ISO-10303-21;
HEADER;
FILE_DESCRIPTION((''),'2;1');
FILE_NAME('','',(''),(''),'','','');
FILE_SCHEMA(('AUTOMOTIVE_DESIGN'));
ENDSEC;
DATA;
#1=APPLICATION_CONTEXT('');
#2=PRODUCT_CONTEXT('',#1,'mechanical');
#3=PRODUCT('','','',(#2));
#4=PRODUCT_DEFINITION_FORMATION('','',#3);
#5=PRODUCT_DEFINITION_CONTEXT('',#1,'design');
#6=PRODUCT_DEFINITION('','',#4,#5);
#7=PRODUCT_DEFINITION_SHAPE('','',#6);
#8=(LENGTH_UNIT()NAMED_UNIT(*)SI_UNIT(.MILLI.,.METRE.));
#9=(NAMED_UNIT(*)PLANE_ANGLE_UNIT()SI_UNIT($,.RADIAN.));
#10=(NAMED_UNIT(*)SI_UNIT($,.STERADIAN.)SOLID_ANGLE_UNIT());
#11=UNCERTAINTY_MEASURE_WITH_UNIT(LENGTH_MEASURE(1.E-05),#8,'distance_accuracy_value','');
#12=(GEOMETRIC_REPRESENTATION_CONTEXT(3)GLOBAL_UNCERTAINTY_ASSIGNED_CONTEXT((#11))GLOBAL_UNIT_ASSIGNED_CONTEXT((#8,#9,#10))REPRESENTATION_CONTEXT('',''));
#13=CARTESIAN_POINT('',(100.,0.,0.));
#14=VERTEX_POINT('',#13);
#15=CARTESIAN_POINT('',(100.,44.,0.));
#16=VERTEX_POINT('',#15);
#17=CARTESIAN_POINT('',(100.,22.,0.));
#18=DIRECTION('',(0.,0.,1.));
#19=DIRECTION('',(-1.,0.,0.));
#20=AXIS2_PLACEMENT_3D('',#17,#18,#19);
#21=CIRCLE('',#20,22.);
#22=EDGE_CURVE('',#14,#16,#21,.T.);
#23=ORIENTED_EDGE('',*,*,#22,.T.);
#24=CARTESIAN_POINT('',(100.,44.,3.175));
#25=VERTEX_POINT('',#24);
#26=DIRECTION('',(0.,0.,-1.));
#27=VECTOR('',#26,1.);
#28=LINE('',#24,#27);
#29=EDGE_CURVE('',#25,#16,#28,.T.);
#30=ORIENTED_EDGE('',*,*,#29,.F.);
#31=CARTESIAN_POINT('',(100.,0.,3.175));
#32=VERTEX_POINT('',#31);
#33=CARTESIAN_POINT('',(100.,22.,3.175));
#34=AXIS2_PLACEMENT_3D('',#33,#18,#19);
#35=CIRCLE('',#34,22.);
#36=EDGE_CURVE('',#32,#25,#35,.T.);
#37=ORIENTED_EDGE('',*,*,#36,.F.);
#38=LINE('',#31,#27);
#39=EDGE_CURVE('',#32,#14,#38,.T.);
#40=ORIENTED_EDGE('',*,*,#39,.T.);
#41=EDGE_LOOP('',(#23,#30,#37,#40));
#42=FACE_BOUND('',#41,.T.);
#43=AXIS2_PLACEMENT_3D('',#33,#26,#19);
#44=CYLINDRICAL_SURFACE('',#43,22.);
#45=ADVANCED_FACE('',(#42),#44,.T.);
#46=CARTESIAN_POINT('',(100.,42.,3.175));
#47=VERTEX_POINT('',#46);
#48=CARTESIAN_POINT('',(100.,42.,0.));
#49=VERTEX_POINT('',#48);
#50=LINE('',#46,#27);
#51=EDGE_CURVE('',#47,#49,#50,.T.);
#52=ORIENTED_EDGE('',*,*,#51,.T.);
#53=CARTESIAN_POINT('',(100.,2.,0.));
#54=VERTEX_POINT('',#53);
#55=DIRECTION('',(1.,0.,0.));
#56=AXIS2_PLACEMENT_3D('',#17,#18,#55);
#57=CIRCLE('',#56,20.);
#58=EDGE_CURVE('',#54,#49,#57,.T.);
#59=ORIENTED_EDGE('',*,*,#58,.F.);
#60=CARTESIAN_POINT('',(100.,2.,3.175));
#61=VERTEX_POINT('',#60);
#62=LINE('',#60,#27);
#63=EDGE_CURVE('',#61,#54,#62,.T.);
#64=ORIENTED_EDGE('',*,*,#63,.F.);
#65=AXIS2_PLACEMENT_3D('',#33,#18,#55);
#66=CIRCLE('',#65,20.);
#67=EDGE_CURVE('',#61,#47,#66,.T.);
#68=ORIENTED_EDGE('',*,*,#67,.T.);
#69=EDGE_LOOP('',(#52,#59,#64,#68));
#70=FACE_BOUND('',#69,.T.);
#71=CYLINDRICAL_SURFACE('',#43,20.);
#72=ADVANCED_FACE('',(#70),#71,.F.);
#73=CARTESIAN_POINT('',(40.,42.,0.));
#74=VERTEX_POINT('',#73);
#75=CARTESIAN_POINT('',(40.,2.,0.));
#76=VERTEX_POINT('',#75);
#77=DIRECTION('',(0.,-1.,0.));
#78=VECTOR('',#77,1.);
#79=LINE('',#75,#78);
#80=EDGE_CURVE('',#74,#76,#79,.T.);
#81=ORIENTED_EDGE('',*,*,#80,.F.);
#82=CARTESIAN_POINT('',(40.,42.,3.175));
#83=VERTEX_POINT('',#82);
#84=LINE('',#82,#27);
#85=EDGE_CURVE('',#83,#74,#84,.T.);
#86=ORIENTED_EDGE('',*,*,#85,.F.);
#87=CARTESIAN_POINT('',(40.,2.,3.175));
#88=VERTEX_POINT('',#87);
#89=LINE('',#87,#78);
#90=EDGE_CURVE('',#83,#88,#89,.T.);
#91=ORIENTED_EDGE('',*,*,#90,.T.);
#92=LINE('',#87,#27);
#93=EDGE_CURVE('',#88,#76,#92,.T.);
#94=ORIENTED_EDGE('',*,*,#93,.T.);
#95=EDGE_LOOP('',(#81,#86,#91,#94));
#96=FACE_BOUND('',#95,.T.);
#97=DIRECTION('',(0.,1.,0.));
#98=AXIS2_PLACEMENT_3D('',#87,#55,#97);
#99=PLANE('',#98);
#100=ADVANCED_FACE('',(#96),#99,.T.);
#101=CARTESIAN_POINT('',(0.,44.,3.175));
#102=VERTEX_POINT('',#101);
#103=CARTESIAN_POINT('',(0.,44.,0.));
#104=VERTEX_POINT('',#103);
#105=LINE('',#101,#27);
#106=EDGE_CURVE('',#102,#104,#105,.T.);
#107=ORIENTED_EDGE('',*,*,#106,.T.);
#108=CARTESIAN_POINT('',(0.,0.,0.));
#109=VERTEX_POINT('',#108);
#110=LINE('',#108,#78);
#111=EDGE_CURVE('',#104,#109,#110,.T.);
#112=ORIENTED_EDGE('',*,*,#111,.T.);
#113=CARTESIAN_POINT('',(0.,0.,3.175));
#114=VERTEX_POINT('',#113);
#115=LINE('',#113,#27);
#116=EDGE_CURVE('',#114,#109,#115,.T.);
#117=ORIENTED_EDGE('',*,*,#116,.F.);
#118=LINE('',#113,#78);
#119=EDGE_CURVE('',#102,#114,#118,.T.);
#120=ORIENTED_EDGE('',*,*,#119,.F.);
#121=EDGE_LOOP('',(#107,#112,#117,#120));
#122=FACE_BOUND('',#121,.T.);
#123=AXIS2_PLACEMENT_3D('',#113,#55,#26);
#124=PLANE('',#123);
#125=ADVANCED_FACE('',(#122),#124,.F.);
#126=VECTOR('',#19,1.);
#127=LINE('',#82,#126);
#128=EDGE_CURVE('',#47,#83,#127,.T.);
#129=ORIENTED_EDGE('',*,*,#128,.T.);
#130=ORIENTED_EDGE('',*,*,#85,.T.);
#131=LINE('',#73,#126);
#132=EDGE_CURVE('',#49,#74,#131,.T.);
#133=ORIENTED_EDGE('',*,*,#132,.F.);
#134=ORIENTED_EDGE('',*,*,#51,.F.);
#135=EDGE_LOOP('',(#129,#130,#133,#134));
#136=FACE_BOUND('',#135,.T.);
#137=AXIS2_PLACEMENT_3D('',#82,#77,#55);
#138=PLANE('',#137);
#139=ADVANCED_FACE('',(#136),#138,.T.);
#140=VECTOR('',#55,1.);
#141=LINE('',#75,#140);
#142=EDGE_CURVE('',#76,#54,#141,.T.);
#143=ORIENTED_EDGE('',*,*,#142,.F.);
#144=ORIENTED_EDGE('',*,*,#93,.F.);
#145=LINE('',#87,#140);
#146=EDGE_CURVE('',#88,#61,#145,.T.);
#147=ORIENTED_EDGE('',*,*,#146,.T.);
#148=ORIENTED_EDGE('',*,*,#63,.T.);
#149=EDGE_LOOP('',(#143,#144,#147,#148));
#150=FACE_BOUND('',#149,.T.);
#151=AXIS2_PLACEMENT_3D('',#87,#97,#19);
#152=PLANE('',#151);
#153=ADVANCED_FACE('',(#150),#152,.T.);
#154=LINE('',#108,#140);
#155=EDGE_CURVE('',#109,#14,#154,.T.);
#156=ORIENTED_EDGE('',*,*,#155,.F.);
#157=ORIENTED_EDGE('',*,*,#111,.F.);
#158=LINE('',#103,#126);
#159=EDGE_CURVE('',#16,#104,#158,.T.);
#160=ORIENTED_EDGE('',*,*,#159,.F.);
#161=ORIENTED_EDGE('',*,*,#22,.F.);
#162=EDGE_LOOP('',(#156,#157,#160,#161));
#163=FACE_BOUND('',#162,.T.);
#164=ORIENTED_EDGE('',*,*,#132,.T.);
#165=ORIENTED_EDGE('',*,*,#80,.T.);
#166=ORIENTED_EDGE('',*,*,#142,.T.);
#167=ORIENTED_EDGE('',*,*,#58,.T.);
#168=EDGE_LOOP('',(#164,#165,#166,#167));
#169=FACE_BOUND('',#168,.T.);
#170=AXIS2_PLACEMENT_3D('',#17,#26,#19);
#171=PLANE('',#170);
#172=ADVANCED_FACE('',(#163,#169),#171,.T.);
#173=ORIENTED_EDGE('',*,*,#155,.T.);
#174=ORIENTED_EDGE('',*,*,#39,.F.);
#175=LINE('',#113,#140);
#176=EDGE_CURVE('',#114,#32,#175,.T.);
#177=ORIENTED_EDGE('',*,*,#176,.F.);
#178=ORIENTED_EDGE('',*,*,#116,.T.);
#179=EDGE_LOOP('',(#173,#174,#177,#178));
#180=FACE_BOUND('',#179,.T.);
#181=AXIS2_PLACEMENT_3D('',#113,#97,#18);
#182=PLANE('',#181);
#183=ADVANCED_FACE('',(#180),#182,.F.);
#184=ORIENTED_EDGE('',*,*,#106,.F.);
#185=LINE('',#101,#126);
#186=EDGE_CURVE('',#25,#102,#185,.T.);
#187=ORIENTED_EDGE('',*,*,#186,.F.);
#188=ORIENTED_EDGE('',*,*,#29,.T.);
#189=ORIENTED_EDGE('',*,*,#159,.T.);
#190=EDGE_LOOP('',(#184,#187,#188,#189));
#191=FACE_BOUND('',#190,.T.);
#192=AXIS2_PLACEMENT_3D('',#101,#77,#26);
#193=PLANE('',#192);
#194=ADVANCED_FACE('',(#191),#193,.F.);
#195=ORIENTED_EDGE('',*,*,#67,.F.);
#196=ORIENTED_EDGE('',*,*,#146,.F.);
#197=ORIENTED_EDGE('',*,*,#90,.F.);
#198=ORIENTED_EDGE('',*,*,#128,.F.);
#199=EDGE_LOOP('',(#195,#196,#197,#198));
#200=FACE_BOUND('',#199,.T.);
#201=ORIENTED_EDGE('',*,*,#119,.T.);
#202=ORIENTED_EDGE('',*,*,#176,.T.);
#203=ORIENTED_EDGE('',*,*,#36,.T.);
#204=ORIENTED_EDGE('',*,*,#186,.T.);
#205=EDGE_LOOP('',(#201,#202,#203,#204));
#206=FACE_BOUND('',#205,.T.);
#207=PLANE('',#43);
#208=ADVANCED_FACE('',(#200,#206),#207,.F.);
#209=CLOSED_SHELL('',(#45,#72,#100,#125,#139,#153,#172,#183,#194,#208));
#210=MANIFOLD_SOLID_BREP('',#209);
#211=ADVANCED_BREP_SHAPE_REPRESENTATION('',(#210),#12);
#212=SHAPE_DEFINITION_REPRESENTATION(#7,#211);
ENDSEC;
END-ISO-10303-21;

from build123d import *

# Parameters (mm, degrees)
BOSS_EXTRUDE1_DEPTH = 3.175


with BuildPart() as part:
    # Sketch1 → Boss-Extrude1 (new body)
    with BuildSketch(Plane.XY):
        with BuildLine():
            Line((0, 0), (100, 0))
            ThreePointArc((100, 0), (122, 22), (100, 44))
            Line((100, 44), (0, 44))
            Line((0, 44), (0, 0))
        make_face()
        with BuildLine():
            Line((40, 2), (40, 42))
            Line((40, 42), (100, 42))
            ThreePointArc((100, 42), (120, 22), (100, 2))
            Line((100, 2), (40, 2))
        make_face(mode=Mode.SUBTRACT)
    extrude(amount=BOSS_EXTRUDE1_DEPTH)


solid = part.part
